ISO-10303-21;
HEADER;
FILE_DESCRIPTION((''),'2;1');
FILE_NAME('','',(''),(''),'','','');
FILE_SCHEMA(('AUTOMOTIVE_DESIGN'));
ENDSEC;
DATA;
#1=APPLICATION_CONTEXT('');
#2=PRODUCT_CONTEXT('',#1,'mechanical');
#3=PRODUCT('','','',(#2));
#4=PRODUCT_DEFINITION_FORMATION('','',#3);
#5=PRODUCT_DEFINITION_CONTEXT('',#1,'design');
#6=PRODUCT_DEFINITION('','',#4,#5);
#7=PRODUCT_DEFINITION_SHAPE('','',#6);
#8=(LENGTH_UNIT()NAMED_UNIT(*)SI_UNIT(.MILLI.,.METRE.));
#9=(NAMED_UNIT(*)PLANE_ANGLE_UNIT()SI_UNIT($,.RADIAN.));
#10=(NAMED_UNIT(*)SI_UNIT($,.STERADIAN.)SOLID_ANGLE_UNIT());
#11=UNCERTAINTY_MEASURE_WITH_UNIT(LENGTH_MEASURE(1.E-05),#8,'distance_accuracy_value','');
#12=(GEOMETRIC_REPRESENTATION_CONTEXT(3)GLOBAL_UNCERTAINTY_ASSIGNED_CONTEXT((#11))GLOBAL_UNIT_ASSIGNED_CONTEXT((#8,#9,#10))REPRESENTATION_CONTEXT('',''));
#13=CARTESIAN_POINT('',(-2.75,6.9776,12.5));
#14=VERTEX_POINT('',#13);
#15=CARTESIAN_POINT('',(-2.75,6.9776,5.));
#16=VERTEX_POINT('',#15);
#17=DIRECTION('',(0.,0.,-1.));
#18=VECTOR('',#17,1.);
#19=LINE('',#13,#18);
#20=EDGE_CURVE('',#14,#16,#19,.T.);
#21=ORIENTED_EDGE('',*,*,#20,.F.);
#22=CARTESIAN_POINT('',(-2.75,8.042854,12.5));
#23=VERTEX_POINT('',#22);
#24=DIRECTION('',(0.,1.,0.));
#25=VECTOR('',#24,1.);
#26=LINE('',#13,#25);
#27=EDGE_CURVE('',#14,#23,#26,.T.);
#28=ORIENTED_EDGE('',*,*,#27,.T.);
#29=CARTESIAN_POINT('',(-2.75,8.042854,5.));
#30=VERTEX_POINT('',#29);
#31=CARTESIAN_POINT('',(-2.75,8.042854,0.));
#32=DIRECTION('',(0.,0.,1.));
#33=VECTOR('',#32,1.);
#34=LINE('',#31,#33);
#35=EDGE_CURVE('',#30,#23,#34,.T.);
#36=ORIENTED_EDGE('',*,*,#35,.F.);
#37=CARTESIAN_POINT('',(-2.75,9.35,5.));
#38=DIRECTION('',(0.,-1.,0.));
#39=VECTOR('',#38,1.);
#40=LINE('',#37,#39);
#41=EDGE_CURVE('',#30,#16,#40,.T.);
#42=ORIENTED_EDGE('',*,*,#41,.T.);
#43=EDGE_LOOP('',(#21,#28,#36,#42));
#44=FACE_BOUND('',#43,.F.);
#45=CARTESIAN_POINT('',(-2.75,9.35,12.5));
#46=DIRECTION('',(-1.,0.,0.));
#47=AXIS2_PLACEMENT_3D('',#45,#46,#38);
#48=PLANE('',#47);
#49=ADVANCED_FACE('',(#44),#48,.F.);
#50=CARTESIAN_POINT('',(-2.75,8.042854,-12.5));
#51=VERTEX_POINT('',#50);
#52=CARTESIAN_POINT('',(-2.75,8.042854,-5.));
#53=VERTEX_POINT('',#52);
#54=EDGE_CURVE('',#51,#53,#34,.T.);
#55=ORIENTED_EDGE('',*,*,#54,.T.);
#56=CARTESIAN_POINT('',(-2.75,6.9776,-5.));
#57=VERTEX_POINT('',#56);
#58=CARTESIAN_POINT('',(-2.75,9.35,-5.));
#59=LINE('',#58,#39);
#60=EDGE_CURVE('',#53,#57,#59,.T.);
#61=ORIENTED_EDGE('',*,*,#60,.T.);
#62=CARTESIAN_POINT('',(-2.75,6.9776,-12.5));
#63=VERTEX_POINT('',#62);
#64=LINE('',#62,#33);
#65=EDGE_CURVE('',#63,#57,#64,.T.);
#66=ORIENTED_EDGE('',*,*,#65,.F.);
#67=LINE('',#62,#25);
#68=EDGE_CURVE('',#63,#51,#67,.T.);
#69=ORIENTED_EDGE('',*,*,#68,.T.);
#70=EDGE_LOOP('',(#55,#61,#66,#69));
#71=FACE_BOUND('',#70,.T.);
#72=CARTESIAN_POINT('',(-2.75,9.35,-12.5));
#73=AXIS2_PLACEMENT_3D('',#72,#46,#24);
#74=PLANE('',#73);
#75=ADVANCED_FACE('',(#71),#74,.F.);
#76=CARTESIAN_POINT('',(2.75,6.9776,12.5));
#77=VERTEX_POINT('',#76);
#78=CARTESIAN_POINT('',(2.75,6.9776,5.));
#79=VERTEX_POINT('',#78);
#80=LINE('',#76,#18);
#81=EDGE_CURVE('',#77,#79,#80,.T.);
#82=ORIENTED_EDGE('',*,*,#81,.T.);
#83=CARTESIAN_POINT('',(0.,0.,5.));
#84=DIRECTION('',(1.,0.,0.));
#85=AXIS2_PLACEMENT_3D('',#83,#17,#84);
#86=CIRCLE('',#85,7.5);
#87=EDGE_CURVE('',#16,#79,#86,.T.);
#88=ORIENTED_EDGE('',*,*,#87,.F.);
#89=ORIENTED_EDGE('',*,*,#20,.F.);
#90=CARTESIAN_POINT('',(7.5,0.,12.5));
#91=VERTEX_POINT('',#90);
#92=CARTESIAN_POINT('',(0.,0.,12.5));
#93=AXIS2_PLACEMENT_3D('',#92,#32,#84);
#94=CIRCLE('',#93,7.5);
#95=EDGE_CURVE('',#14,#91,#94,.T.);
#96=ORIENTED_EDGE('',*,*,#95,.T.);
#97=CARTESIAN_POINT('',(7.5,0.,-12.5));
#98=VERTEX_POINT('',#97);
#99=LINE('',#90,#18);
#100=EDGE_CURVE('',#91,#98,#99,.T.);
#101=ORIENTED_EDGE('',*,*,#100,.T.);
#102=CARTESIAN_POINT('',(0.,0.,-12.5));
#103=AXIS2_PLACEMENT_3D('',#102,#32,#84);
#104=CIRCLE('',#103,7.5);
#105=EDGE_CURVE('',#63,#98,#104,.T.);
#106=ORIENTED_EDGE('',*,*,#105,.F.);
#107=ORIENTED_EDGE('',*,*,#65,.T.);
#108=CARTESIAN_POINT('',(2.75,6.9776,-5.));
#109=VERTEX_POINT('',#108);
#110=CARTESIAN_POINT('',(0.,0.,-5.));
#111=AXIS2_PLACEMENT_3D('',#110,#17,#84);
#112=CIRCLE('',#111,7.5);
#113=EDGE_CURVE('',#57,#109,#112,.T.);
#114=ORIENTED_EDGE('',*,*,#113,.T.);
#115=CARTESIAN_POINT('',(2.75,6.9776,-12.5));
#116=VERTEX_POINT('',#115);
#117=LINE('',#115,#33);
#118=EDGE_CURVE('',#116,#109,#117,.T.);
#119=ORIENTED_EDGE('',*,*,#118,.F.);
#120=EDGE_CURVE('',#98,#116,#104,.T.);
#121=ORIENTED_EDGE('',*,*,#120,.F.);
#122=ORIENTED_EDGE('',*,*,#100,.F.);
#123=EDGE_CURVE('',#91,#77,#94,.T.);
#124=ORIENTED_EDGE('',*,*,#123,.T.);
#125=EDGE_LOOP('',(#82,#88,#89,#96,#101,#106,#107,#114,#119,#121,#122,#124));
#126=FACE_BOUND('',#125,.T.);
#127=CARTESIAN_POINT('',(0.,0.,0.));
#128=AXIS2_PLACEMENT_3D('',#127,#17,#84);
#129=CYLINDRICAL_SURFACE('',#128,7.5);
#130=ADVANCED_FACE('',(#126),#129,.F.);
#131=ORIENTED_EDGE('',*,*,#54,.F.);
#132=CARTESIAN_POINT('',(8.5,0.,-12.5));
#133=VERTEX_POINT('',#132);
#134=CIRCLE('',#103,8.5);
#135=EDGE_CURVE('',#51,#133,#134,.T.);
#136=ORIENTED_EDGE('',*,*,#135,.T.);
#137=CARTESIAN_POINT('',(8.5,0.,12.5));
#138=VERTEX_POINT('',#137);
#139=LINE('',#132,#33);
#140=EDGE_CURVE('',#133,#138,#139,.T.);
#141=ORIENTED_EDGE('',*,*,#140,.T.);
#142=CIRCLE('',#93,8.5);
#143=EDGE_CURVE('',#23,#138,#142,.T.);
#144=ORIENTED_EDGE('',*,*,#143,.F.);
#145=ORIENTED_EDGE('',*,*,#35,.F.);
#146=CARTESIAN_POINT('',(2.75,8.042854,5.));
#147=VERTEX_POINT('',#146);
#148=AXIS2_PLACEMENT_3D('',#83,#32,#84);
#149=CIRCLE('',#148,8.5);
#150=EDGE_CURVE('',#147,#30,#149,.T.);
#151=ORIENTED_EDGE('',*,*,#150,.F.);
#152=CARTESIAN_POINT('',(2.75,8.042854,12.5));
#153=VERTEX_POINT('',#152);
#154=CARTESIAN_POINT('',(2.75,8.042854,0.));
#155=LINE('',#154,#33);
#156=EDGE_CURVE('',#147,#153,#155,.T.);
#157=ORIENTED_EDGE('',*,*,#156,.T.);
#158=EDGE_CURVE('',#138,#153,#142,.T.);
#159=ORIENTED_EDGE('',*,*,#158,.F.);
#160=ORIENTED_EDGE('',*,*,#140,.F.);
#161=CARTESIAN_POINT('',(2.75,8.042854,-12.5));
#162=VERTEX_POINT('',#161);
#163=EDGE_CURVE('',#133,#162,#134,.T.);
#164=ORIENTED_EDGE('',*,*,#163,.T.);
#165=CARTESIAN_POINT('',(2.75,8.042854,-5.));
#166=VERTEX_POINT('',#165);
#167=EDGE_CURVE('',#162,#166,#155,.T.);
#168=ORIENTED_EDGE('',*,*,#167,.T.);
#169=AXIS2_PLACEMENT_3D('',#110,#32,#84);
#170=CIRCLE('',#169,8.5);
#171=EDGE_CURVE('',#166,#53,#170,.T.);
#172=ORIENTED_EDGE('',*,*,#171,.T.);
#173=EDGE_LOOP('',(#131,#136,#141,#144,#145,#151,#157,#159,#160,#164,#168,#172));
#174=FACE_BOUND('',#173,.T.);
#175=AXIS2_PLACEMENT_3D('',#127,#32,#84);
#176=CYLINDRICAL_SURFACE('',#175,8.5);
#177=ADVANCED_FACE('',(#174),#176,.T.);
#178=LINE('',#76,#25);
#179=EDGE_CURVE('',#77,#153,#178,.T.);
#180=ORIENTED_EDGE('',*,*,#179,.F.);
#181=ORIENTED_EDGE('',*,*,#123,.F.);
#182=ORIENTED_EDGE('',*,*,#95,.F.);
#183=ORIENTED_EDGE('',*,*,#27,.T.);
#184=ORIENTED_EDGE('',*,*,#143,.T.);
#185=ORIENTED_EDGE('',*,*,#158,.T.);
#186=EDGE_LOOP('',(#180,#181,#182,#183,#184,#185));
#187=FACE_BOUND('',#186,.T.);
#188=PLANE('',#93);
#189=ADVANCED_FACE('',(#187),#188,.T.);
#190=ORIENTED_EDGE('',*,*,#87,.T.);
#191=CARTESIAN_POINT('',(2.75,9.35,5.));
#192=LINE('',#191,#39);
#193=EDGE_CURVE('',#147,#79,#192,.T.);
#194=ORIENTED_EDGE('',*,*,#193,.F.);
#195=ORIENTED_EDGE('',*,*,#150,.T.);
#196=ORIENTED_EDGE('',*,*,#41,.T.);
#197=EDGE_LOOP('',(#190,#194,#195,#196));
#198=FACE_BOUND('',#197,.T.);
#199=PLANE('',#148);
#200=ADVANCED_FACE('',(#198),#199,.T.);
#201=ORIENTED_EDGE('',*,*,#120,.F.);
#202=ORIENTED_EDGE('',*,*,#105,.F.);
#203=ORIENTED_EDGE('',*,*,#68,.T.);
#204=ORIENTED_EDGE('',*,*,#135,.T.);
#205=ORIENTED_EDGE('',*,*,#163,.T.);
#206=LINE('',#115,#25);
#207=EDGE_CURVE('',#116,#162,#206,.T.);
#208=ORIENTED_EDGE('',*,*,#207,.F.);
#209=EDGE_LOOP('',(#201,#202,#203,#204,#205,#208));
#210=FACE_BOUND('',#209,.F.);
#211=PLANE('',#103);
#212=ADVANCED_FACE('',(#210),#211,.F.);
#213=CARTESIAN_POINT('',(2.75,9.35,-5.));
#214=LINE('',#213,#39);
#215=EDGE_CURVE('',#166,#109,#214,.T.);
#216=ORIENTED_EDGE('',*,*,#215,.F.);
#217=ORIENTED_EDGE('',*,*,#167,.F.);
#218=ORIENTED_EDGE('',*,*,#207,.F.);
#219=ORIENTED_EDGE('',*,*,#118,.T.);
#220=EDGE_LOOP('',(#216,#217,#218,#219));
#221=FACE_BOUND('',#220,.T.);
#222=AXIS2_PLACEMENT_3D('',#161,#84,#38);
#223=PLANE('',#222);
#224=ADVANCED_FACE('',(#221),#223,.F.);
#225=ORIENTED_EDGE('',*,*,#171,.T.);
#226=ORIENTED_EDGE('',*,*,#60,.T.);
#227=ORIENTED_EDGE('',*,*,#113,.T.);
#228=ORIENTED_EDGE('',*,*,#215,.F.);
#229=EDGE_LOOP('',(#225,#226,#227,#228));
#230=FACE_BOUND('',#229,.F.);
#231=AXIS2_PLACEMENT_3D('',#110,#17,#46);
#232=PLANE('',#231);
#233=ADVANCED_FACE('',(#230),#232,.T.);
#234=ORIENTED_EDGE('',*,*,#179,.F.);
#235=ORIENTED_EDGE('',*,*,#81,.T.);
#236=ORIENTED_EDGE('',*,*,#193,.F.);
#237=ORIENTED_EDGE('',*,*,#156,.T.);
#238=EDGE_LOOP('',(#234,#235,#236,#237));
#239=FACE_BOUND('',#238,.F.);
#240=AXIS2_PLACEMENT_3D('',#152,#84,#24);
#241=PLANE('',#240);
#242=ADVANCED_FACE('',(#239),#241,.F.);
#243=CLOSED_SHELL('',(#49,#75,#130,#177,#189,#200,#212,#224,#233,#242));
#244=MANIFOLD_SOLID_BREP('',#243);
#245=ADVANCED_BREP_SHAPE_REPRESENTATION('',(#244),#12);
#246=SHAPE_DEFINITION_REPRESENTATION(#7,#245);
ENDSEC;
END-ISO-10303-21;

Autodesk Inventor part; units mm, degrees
ref_plane "YZ Plane" through (0, 0, 0) normal (1, 0, 0) x (0, 1, 0)
ref_plane "XZ Plane" through (0, 0, 0) normal (0, 1, 0) x (-1, 0, 0)
ref_plane "XY Plane" through (0, 0, 0) normal (0, 0, 1) x (1, 0, 0)
sketch "Sketch1" plane through (0, 0, 0) normal (0, 0, 1) x (1, 0, 0)
  circle A0 centre (0, 0) radius 7.5
  circle A1 centre (0, 0) radius 8.5
  dimension "d0" = 15
  dimension "d1" = 17
extrude "Extrusion1" add sketch "Sketch1" against normal mid plane 25
sketch "Sketch2" plane through (0, 0, 12.5) normal (0, 0, 1) x (1, 0, 0)
  line L0 (-2.75, 9.35) -> (-2.75, 6.9776)
  arc A0 (-2.25, 9.85) -> (-2.75, 9.35) centre (-2.25, 9.35) ccw
  line L1 (2.25, 9.85) -> (-2.25, 9.85)
  arc A1 (2.75, 9.35) -> (2.25, 9.85) centre (2.25, 9.35) ccw
  line L2 (2.75, 6.9776) -> (2.75, 9.35)
  circle A2 centre (0, 0) radius 8.5 projected
  circle A3 centre (0, 0) radius 7.5 projected
  line L3 (-2.75, 6.9776) -> (2.75, 6.9776)
extrude "Extrusion2" cut sketch "Sketch2" against normal blind 7.5 contours A0 L1 A1 L2 A2 L0 | A2 L2 A3 L0 | A3 L3 picked at (1.6937, 7.9533) picked at (-0.4665, 7.1078)
mirror "Mirror1" about plane through (0, 0, 0) normal (0, 0, 1) of "Extrusion2"
properties part number "Pernament magnet" material "Stainless Steel AISI 304"
